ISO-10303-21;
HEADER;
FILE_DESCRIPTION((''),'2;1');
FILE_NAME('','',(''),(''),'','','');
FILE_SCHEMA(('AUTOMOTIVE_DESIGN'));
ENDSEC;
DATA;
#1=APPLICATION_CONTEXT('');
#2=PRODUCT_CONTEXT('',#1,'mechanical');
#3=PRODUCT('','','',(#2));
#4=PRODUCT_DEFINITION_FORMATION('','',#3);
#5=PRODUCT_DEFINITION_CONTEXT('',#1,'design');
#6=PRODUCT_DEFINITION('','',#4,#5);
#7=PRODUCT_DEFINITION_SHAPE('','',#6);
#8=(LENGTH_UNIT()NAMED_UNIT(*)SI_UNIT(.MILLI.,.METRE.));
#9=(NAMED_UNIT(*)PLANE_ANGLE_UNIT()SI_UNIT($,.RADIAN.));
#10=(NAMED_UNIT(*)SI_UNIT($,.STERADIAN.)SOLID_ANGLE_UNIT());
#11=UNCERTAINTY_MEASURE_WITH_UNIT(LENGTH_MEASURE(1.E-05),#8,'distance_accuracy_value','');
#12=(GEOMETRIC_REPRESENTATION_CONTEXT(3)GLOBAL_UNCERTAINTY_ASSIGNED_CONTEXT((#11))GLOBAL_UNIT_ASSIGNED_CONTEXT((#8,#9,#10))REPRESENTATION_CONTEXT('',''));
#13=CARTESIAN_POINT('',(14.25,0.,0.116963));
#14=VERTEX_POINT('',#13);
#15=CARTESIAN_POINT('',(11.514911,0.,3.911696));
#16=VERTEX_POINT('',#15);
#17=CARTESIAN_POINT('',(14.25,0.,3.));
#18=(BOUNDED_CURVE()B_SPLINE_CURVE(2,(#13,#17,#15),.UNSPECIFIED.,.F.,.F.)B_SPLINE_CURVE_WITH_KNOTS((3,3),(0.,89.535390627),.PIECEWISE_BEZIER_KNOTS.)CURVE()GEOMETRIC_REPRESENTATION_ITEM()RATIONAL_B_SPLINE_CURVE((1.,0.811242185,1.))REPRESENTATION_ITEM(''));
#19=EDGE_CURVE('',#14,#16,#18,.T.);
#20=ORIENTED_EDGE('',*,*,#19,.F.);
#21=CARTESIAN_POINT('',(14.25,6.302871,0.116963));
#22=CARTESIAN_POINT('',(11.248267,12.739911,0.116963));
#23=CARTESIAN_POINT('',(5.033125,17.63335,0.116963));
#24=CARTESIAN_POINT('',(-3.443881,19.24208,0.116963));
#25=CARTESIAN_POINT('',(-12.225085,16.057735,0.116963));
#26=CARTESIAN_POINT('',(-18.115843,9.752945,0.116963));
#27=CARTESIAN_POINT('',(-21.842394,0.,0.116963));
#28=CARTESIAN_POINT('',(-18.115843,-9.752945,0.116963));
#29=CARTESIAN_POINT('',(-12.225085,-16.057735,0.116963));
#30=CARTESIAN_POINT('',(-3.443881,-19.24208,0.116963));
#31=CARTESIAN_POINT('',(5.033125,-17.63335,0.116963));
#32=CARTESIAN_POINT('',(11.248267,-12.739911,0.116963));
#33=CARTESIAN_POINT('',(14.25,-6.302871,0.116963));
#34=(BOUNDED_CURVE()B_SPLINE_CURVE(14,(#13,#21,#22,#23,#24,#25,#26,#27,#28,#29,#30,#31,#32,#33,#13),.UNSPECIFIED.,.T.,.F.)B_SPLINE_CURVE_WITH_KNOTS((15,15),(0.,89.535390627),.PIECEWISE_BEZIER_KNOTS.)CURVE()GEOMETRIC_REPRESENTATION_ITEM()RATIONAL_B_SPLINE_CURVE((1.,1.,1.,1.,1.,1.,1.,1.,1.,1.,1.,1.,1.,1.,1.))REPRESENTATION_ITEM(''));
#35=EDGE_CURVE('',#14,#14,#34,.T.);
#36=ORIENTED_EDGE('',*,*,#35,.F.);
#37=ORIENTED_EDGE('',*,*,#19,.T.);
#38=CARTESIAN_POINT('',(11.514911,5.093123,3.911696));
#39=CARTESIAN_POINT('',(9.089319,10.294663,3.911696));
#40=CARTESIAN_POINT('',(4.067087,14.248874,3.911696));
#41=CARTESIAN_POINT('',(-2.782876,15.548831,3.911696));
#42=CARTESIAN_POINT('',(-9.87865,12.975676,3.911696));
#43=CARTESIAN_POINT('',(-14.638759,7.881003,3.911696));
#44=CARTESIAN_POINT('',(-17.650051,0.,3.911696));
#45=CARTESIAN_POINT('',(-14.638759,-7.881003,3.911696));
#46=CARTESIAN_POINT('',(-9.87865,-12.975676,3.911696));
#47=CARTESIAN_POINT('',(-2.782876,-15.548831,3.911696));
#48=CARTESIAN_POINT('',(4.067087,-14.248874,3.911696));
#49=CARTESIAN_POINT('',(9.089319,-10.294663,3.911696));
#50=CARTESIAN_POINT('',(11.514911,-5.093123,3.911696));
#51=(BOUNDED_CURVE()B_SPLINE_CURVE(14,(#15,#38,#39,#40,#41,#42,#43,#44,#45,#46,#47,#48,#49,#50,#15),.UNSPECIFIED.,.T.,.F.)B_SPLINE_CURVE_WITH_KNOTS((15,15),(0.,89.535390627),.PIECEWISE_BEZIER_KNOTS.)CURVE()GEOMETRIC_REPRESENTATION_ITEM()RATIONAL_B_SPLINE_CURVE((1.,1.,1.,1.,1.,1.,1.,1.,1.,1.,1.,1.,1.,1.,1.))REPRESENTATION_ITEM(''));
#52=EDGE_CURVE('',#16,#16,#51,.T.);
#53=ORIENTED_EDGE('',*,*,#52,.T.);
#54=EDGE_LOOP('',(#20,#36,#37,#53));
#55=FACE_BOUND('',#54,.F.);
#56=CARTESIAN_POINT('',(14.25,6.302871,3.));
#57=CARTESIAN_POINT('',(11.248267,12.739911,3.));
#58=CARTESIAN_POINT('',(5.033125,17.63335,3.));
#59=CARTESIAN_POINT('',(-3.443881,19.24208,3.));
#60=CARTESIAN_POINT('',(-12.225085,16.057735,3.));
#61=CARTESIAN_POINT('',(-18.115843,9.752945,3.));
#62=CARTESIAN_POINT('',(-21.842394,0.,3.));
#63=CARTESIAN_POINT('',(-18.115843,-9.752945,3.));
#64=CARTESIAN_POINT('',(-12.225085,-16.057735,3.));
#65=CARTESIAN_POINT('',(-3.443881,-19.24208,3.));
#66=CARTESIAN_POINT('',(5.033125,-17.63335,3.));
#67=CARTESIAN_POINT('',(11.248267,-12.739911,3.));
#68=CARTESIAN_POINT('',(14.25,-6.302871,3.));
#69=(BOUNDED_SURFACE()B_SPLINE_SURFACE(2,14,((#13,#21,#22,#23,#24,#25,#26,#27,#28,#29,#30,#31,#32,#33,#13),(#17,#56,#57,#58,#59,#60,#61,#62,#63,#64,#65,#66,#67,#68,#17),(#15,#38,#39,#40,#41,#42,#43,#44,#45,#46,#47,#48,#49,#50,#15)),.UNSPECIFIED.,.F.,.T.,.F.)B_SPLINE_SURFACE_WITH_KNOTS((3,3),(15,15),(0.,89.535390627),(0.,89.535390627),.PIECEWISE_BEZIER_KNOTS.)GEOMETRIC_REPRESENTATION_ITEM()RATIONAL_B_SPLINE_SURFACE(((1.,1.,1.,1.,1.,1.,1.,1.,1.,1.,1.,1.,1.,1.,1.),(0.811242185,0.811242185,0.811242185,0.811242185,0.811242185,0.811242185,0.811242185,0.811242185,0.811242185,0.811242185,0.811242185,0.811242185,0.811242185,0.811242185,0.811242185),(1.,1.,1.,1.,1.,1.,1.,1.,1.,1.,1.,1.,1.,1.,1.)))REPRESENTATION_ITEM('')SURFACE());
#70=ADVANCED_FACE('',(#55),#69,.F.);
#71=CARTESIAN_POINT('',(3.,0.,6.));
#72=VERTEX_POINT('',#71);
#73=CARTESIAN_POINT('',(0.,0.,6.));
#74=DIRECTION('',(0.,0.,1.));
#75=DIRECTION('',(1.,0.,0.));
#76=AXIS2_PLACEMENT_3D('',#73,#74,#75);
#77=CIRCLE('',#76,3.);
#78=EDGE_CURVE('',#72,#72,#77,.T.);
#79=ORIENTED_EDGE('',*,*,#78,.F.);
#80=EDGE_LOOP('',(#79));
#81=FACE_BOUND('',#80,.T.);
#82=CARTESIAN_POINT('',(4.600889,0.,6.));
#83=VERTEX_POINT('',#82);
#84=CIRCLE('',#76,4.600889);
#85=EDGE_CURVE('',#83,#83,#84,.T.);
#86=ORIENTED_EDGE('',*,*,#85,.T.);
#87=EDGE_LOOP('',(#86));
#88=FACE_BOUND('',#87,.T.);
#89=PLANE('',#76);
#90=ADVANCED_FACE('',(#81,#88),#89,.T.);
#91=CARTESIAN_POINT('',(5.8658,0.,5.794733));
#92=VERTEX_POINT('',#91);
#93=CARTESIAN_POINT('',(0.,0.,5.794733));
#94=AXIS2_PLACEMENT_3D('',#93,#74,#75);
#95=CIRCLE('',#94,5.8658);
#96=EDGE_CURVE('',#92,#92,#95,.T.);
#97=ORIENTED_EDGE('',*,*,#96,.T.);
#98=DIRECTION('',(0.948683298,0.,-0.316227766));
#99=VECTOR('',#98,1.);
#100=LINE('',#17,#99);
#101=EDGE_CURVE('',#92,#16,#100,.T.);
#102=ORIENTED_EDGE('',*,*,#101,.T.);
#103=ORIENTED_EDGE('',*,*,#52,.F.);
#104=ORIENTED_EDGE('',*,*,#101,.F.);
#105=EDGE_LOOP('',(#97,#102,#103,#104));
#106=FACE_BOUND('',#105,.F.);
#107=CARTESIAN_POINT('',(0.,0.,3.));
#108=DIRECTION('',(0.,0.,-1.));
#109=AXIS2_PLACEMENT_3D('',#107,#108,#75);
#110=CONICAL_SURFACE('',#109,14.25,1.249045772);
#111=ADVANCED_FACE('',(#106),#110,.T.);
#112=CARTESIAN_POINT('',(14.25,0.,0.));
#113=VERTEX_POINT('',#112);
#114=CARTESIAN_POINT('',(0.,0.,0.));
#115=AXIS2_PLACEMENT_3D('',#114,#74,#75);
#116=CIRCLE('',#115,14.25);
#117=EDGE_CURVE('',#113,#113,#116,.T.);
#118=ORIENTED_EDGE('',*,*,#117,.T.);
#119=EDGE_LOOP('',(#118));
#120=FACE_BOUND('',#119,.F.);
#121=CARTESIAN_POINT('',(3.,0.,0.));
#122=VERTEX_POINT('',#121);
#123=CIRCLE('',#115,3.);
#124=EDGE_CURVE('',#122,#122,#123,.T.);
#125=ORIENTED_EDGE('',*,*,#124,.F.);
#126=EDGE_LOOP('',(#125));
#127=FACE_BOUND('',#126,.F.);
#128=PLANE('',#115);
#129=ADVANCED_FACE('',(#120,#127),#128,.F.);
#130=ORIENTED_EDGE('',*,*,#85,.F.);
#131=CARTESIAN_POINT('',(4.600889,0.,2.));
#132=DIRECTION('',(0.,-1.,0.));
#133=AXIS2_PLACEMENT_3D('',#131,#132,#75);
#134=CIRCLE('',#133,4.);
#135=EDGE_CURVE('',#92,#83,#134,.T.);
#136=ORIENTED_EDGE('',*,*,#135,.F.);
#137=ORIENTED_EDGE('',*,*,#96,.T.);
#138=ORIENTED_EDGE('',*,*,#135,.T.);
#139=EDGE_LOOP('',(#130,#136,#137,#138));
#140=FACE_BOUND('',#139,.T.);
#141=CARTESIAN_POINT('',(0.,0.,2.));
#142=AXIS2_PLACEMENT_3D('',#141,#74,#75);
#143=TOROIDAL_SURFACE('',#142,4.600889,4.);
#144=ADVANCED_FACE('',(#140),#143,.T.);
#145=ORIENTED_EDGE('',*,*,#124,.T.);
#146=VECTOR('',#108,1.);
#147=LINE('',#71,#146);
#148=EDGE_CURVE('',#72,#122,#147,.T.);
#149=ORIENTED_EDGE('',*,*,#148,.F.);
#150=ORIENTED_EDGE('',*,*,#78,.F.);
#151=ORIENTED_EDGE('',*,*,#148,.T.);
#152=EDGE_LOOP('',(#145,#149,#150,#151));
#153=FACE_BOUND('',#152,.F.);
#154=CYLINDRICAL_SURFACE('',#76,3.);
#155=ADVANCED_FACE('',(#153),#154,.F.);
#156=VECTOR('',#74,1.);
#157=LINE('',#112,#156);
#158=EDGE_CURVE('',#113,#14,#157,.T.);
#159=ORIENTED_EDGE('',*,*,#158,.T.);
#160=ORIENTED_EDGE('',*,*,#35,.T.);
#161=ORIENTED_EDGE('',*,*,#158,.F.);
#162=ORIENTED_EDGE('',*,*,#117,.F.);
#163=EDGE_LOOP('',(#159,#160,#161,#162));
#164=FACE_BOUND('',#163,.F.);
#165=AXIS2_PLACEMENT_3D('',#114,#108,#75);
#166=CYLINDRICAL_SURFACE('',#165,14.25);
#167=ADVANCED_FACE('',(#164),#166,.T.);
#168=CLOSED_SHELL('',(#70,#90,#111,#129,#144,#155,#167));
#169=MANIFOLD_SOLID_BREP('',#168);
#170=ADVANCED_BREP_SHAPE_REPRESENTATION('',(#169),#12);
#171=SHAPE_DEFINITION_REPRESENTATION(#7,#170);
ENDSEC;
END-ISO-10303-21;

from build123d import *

# Parameters (mm, degrees)
F0_R     = 14.25
F1_DEPTH = 6
F2_R     = 3
F3_DEPTH = 25
F4_SIZE2 = 3
F4_SIZE  = 9
F5_R     = 4


with BuildPart() as f1:
    # F0 (on Top) → F1 (new body)
    with BuildSketch(Plane.XY):
        Circle(F0_R)
    extrude(amount=F1_DEPTH)

    # F2 (on face) → F3 (cut)
    with BuildSketch(Plane.XY.offset(6)):
        Circle(F2_R)
    extrude(amount=-F3_DEPTH, mode=Mode.SUBTRACT)

    # F4
    f4_edges = [f1.edges().sort_by_distance(p)[0] for p in [
        (-14.25, 0, 6),
    ]]
    f4_side = f1.faces().sort_by_distance((-13.846949, 0, 6))[0]
    chamfer(f4_edges, length=F4_SIZE, length2=F4_SIZE2, reference=f4_side)

    # F5
    f5_edges = [f1.edges().sort_by_distance(p)[0] for p in [
        (-5.25, 0, 6),
        (-14.25, 0, 3),
    ]]
    fillet(f5_edges, radius=F5_R)


solid = f1.part
